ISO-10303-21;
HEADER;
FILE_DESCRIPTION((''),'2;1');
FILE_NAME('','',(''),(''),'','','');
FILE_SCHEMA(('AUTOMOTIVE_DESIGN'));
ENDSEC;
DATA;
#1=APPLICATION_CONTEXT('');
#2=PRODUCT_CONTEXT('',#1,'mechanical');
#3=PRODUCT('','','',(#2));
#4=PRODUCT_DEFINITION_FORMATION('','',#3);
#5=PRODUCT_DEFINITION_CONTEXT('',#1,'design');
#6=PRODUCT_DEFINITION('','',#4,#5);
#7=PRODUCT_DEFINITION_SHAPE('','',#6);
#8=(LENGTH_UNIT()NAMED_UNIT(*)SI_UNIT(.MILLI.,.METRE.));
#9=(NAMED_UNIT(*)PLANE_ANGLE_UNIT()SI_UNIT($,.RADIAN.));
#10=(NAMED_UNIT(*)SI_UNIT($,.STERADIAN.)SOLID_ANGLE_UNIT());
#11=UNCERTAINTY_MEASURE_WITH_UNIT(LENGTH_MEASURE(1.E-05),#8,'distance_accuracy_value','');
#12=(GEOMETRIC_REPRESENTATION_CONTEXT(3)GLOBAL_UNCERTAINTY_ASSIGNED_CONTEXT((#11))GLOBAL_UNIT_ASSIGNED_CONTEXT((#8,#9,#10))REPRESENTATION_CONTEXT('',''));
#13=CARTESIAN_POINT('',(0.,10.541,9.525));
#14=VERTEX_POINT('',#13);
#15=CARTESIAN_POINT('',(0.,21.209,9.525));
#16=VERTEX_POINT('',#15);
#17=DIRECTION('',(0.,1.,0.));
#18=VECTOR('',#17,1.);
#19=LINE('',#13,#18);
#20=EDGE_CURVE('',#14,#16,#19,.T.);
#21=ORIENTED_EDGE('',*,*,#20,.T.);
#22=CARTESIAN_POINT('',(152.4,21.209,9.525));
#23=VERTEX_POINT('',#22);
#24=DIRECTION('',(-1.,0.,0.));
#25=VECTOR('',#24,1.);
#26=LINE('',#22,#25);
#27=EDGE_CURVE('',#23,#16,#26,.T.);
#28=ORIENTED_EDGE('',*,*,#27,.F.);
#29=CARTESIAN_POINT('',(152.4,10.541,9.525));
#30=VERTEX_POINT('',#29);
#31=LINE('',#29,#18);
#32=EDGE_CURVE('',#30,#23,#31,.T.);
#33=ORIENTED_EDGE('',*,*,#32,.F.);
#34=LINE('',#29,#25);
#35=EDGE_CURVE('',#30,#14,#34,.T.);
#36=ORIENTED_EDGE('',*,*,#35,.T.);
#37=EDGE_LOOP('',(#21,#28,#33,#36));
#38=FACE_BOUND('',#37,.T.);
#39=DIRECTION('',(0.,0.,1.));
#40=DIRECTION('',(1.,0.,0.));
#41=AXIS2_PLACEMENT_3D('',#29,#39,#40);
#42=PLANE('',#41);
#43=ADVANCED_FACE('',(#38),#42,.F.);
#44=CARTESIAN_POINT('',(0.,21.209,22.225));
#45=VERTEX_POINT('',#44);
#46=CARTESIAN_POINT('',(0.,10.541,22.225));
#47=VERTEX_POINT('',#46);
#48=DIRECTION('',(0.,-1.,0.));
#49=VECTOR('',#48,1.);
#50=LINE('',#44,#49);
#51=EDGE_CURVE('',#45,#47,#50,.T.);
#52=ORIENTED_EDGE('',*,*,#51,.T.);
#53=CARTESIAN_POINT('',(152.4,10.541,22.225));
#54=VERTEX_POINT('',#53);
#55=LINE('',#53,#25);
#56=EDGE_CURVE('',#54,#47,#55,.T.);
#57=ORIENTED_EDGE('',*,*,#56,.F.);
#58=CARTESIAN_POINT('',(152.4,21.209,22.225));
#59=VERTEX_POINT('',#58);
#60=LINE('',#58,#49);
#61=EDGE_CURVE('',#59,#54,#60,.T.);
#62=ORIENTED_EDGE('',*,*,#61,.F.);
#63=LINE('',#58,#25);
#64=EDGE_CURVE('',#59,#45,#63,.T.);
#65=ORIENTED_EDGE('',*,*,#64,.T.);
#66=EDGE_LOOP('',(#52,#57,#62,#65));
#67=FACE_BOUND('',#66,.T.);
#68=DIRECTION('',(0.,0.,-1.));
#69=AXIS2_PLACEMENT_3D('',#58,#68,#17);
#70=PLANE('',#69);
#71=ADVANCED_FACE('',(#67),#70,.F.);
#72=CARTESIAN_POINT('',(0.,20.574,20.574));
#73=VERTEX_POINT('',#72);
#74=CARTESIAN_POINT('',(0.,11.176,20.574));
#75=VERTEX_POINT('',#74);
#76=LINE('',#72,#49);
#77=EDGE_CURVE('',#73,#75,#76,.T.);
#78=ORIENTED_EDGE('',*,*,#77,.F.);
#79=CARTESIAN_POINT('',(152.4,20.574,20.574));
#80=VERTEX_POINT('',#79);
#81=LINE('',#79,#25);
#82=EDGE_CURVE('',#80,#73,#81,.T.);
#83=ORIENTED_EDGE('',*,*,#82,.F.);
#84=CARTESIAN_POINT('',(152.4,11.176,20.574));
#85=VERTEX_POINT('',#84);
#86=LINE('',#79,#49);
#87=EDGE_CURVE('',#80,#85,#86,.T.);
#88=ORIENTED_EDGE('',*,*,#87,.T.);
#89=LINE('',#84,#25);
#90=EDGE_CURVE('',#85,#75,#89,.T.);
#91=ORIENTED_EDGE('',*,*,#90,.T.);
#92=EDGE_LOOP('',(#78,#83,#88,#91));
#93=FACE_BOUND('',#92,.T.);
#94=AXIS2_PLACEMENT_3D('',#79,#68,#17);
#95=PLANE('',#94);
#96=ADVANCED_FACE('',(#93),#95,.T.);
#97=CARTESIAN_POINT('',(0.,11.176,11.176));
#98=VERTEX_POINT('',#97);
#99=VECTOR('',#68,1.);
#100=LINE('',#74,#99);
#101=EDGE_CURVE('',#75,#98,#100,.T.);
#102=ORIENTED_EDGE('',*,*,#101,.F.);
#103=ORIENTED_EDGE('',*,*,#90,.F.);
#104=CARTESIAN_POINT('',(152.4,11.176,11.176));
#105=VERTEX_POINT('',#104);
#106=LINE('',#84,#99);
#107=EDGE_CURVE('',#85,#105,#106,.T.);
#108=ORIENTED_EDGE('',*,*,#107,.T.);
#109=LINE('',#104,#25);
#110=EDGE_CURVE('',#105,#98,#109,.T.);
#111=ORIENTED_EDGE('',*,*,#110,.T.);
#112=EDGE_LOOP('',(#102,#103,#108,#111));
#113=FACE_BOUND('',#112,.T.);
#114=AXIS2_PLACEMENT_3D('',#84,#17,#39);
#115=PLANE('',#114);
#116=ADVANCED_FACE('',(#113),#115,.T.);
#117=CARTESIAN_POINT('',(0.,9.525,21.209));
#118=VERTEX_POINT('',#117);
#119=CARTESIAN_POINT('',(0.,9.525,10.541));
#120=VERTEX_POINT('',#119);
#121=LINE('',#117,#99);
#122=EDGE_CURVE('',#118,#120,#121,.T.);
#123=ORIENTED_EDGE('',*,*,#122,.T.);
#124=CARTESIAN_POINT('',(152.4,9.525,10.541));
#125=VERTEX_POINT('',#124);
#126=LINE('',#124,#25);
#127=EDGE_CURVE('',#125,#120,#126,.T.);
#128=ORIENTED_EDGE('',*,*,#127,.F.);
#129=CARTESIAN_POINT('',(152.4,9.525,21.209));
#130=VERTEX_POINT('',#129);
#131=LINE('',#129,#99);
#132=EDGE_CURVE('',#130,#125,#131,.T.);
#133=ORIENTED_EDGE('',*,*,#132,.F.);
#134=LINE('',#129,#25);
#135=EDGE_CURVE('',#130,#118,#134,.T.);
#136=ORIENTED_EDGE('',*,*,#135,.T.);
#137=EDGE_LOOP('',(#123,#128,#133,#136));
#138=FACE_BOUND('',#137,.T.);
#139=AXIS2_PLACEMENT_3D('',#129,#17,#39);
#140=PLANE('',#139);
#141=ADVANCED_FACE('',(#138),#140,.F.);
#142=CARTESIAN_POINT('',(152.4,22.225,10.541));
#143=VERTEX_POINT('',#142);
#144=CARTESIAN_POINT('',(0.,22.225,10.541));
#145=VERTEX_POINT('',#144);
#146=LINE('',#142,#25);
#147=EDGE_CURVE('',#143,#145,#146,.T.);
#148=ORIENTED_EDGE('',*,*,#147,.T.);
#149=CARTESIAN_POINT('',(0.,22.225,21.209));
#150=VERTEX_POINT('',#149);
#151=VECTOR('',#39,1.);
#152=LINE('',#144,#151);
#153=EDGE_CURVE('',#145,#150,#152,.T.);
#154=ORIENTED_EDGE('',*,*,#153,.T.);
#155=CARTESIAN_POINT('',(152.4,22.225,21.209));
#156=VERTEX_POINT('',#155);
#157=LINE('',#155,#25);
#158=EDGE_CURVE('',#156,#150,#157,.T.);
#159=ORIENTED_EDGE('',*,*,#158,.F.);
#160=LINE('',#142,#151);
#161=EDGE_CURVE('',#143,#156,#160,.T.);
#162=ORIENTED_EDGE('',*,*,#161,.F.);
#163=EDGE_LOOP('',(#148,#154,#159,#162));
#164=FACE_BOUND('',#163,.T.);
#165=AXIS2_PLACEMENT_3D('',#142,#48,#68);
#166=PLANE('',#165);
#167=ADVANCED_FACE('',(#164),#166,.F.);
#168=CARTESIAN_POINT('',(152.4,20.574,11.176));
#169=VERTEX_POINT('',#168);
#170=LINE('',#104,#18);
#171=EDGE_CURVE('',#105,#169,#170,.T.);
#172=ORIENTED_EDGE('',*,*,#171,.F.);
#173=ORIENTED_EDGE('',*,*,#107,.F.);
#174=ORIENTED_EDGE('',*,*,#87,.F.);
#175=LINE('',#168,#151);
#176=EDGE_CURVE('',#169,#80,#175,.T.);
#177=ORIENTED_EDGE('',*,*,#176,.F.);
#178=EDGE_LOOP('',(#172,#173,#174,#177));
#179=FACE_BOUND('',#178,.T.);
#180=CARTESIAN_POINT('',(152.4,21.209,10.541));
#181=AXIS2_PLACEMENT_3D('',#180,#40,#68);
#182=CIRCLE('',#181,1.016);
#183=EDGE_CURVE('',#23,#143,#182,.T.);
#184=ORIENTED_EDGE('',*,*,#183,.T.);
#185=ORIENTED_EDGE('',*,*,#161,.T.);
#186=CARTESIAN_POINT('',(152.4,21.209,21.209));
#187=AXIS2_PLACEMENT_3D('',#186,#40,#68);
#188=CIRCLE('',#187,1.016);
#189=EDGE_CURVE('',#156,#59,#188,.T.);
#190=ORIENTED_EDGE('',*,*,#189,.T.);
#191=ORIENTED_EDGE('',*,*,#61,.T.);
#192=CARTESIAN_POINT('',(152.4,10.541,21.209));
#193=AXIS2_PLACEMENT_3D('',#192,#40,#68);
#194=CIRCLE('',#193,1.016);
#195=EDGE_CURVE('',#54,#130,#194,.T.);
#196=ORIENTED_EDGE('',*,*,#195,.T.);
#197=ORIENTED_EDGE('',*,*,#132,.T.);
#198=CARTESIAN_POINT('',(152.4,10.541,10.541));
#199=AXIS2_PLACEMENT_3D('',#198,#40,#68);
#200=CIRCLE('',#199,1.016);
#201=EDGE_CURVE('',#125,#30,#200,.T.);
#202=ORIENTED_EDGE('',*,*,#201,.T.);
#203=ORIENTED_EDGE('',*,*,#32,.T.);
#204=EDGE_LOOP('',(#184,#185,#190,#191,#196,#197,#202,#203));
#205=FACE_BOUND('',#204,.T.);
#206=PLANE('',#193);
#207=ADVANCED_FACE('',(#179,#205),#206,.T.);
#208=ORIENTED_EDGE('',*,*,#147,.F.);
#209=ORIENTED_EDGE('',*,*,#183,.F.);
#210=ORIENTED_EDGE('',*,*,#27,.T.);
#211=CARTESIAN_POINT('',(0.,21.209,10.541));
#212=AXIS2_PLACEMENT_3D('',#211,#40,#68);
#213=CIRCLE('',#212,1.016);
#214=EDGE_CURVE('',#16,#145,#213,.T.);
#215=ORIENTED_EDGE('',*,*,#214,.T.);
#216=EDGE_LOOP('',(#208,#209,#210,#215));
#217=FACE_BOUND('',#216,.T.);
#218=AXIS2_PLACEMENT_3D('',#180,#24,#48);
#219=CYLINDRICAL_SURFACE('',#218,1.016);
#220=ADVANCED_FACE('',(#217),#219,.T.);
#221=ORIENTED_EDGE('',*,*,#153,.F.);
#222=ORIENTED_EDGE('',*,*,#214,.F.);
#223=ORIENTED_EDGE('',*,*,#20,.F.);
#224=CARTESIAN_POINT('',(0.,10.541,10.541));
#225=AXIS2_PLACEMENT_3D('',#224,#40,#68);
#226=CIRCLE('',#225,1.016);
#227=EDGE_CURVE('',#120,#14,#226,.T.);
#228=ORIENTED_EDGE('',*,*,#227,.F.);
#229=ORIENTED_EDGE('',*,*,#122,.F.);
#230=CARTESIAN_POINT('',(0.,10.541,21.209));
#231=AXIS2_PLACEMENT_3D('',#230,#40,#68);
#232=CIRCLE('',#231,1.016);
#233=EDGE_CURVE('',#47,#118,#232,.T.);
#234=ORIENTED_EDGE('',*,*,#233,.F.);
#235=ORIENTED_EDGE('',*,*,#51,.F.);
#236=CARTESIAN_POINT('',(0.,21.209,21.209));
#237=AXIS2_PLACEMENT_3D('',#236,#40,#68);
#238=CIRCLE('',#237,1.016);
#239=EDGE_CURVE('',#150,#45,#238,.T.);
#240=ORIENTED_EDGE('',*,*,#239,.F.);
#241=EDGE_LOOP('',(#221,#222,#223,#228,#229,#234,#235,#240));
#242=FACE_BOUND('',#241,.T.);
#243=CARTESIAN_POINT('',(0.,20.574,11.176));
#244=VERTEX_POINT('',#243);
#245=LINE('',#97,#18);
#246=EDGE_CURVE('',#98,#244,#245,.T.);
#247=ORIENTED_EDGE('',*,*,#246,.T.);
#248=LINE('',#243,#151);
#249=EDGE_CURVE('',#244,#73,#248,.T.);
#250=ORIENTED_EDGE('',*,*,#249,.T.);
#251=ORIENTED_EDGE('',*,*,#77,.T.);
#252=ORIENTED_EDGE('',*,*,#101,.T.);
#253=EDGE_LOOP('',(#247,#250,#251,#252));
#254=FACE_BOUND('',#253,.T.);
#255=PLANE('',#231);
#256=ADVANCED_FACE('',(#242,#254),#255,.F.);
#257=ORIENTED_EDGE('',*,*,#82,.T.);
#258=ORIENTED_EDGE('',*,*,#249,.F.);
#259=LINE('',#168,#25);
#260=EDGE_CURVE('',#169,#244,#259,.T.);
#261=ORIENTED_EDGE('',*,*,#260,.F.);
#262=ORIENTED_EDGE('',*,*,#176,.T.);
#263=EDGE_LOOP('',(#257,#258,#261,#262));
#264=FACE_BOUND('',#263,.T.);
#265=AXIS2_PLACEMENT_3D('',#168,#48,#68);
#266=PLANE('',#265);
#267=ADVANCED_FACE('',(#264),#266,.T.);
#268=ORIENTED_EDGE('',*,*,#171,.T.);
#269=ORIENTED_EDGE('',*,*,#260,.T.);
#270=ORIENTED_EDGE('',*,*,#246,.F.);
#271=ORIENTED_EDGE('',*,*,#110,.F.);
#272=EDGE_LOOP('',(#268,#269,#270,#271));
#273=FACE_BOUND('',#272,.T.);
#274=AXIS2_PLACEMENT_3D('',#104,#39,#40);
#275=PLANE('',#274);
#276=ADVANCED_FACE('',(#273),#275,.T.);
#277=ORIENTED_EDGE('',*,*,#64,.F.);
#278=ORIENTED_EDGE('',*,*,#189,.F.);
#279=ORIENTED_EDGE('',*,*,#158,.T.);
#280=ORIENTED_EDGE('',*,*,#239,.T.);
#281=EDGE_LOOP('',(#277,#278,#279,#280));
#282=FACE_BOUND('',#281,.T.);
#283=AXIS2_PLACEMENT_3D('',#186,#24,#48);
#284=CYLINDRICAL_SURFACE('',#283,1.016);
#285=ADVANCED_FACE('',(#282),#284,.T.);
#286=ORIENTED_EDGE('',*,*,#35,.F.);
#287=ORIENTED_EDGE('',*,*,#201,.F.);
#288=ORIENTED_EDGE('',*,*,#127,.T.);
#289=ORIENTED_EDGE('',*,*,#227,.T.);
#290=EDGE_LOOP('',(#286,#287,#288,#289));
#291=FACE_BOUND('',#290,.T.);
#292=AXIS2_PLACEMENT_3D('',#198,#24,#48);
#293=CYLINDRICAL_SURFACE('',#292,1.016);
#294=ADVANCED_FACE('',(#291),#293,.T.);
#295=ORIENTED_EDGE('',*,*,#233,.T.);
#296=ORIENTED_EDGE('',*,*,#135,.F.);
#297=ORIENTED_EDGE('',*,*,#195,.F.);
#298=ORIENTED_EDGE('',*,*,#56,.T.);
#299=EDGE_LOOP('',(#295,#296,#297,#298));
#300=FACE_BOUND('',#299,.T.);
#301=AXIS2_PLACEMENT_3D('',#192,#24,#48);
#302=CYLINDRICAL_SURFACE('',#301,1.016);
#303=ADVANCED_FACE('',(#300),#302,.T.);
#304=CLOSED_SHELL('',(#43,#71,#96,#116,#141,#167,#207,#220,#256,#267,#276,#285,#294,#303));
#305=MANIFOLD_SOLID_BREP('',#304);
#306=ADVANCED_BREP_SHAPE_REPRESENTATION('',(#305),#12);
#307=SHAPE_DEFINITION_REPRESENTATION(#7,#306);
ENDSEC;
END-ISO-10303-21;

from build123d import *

# Parameters (mm, degrees)
SKETCH1_W           = 23.495
SKETCH1_H           = 23.495
BOSS_EXTRUDE1_DEPTH = 152.4
SCALE1_SCALE_X      = 1
SCALE1_SCALE_Y      = 0.4
SCALE1_SCALE_Z      = 0.4


with BuildPart() as part:
    # Sketch1 → Boss-Extrude1 (new body)
    with BuildSketch(Plane(origin=(0, 0, 0), x_dir=(0, 0, -1), z_dir=(1, 0, 0))):
        with BuildLine():
            Line((0, 2.54), (0, 29.21))
            ThreePointArc((0, 29.21), (-0.743948776, 31.006051224), (-2.54, 31.75))
            Line((-2.54, 31.75), (-29.21, 31.75))
            ThreePointArc((-29.21, 31.75), (-31.006051224, 31.006051224), (-31.75, 29.21))
            Line((-31.75, 29.21), (-31.75, 2.54))
            ThreePointArc((-31.75, 2.54), (-31.006051224, 0.743948776), (-29.21, 0))
            Line((-29.21, 0), (-2.54, 0))
            ThreePointArc((-2.54, 0), (-0.743948776, 0.743948776), (0, 2.54))
        make_face()
        with Locations((-15.875, 15.875)):
            Rectangle(SKETCH1_W, SKETCH1_H, mode=Mode.SUBTRACT)
    extrude(amount=BOSS_EXTRUDE1_DEPTH)


with BuildPart() as part_1:
    # Scale1: scaled about (76.2, 15.875, 15.875)
    add(part.part.scale((SCALE1_SCALE_X, SCALE1_SCALE_Y, SCALE1_SCALE_Z), about=(76.2, 15.875, 15.875)))


solid = part_1.part
